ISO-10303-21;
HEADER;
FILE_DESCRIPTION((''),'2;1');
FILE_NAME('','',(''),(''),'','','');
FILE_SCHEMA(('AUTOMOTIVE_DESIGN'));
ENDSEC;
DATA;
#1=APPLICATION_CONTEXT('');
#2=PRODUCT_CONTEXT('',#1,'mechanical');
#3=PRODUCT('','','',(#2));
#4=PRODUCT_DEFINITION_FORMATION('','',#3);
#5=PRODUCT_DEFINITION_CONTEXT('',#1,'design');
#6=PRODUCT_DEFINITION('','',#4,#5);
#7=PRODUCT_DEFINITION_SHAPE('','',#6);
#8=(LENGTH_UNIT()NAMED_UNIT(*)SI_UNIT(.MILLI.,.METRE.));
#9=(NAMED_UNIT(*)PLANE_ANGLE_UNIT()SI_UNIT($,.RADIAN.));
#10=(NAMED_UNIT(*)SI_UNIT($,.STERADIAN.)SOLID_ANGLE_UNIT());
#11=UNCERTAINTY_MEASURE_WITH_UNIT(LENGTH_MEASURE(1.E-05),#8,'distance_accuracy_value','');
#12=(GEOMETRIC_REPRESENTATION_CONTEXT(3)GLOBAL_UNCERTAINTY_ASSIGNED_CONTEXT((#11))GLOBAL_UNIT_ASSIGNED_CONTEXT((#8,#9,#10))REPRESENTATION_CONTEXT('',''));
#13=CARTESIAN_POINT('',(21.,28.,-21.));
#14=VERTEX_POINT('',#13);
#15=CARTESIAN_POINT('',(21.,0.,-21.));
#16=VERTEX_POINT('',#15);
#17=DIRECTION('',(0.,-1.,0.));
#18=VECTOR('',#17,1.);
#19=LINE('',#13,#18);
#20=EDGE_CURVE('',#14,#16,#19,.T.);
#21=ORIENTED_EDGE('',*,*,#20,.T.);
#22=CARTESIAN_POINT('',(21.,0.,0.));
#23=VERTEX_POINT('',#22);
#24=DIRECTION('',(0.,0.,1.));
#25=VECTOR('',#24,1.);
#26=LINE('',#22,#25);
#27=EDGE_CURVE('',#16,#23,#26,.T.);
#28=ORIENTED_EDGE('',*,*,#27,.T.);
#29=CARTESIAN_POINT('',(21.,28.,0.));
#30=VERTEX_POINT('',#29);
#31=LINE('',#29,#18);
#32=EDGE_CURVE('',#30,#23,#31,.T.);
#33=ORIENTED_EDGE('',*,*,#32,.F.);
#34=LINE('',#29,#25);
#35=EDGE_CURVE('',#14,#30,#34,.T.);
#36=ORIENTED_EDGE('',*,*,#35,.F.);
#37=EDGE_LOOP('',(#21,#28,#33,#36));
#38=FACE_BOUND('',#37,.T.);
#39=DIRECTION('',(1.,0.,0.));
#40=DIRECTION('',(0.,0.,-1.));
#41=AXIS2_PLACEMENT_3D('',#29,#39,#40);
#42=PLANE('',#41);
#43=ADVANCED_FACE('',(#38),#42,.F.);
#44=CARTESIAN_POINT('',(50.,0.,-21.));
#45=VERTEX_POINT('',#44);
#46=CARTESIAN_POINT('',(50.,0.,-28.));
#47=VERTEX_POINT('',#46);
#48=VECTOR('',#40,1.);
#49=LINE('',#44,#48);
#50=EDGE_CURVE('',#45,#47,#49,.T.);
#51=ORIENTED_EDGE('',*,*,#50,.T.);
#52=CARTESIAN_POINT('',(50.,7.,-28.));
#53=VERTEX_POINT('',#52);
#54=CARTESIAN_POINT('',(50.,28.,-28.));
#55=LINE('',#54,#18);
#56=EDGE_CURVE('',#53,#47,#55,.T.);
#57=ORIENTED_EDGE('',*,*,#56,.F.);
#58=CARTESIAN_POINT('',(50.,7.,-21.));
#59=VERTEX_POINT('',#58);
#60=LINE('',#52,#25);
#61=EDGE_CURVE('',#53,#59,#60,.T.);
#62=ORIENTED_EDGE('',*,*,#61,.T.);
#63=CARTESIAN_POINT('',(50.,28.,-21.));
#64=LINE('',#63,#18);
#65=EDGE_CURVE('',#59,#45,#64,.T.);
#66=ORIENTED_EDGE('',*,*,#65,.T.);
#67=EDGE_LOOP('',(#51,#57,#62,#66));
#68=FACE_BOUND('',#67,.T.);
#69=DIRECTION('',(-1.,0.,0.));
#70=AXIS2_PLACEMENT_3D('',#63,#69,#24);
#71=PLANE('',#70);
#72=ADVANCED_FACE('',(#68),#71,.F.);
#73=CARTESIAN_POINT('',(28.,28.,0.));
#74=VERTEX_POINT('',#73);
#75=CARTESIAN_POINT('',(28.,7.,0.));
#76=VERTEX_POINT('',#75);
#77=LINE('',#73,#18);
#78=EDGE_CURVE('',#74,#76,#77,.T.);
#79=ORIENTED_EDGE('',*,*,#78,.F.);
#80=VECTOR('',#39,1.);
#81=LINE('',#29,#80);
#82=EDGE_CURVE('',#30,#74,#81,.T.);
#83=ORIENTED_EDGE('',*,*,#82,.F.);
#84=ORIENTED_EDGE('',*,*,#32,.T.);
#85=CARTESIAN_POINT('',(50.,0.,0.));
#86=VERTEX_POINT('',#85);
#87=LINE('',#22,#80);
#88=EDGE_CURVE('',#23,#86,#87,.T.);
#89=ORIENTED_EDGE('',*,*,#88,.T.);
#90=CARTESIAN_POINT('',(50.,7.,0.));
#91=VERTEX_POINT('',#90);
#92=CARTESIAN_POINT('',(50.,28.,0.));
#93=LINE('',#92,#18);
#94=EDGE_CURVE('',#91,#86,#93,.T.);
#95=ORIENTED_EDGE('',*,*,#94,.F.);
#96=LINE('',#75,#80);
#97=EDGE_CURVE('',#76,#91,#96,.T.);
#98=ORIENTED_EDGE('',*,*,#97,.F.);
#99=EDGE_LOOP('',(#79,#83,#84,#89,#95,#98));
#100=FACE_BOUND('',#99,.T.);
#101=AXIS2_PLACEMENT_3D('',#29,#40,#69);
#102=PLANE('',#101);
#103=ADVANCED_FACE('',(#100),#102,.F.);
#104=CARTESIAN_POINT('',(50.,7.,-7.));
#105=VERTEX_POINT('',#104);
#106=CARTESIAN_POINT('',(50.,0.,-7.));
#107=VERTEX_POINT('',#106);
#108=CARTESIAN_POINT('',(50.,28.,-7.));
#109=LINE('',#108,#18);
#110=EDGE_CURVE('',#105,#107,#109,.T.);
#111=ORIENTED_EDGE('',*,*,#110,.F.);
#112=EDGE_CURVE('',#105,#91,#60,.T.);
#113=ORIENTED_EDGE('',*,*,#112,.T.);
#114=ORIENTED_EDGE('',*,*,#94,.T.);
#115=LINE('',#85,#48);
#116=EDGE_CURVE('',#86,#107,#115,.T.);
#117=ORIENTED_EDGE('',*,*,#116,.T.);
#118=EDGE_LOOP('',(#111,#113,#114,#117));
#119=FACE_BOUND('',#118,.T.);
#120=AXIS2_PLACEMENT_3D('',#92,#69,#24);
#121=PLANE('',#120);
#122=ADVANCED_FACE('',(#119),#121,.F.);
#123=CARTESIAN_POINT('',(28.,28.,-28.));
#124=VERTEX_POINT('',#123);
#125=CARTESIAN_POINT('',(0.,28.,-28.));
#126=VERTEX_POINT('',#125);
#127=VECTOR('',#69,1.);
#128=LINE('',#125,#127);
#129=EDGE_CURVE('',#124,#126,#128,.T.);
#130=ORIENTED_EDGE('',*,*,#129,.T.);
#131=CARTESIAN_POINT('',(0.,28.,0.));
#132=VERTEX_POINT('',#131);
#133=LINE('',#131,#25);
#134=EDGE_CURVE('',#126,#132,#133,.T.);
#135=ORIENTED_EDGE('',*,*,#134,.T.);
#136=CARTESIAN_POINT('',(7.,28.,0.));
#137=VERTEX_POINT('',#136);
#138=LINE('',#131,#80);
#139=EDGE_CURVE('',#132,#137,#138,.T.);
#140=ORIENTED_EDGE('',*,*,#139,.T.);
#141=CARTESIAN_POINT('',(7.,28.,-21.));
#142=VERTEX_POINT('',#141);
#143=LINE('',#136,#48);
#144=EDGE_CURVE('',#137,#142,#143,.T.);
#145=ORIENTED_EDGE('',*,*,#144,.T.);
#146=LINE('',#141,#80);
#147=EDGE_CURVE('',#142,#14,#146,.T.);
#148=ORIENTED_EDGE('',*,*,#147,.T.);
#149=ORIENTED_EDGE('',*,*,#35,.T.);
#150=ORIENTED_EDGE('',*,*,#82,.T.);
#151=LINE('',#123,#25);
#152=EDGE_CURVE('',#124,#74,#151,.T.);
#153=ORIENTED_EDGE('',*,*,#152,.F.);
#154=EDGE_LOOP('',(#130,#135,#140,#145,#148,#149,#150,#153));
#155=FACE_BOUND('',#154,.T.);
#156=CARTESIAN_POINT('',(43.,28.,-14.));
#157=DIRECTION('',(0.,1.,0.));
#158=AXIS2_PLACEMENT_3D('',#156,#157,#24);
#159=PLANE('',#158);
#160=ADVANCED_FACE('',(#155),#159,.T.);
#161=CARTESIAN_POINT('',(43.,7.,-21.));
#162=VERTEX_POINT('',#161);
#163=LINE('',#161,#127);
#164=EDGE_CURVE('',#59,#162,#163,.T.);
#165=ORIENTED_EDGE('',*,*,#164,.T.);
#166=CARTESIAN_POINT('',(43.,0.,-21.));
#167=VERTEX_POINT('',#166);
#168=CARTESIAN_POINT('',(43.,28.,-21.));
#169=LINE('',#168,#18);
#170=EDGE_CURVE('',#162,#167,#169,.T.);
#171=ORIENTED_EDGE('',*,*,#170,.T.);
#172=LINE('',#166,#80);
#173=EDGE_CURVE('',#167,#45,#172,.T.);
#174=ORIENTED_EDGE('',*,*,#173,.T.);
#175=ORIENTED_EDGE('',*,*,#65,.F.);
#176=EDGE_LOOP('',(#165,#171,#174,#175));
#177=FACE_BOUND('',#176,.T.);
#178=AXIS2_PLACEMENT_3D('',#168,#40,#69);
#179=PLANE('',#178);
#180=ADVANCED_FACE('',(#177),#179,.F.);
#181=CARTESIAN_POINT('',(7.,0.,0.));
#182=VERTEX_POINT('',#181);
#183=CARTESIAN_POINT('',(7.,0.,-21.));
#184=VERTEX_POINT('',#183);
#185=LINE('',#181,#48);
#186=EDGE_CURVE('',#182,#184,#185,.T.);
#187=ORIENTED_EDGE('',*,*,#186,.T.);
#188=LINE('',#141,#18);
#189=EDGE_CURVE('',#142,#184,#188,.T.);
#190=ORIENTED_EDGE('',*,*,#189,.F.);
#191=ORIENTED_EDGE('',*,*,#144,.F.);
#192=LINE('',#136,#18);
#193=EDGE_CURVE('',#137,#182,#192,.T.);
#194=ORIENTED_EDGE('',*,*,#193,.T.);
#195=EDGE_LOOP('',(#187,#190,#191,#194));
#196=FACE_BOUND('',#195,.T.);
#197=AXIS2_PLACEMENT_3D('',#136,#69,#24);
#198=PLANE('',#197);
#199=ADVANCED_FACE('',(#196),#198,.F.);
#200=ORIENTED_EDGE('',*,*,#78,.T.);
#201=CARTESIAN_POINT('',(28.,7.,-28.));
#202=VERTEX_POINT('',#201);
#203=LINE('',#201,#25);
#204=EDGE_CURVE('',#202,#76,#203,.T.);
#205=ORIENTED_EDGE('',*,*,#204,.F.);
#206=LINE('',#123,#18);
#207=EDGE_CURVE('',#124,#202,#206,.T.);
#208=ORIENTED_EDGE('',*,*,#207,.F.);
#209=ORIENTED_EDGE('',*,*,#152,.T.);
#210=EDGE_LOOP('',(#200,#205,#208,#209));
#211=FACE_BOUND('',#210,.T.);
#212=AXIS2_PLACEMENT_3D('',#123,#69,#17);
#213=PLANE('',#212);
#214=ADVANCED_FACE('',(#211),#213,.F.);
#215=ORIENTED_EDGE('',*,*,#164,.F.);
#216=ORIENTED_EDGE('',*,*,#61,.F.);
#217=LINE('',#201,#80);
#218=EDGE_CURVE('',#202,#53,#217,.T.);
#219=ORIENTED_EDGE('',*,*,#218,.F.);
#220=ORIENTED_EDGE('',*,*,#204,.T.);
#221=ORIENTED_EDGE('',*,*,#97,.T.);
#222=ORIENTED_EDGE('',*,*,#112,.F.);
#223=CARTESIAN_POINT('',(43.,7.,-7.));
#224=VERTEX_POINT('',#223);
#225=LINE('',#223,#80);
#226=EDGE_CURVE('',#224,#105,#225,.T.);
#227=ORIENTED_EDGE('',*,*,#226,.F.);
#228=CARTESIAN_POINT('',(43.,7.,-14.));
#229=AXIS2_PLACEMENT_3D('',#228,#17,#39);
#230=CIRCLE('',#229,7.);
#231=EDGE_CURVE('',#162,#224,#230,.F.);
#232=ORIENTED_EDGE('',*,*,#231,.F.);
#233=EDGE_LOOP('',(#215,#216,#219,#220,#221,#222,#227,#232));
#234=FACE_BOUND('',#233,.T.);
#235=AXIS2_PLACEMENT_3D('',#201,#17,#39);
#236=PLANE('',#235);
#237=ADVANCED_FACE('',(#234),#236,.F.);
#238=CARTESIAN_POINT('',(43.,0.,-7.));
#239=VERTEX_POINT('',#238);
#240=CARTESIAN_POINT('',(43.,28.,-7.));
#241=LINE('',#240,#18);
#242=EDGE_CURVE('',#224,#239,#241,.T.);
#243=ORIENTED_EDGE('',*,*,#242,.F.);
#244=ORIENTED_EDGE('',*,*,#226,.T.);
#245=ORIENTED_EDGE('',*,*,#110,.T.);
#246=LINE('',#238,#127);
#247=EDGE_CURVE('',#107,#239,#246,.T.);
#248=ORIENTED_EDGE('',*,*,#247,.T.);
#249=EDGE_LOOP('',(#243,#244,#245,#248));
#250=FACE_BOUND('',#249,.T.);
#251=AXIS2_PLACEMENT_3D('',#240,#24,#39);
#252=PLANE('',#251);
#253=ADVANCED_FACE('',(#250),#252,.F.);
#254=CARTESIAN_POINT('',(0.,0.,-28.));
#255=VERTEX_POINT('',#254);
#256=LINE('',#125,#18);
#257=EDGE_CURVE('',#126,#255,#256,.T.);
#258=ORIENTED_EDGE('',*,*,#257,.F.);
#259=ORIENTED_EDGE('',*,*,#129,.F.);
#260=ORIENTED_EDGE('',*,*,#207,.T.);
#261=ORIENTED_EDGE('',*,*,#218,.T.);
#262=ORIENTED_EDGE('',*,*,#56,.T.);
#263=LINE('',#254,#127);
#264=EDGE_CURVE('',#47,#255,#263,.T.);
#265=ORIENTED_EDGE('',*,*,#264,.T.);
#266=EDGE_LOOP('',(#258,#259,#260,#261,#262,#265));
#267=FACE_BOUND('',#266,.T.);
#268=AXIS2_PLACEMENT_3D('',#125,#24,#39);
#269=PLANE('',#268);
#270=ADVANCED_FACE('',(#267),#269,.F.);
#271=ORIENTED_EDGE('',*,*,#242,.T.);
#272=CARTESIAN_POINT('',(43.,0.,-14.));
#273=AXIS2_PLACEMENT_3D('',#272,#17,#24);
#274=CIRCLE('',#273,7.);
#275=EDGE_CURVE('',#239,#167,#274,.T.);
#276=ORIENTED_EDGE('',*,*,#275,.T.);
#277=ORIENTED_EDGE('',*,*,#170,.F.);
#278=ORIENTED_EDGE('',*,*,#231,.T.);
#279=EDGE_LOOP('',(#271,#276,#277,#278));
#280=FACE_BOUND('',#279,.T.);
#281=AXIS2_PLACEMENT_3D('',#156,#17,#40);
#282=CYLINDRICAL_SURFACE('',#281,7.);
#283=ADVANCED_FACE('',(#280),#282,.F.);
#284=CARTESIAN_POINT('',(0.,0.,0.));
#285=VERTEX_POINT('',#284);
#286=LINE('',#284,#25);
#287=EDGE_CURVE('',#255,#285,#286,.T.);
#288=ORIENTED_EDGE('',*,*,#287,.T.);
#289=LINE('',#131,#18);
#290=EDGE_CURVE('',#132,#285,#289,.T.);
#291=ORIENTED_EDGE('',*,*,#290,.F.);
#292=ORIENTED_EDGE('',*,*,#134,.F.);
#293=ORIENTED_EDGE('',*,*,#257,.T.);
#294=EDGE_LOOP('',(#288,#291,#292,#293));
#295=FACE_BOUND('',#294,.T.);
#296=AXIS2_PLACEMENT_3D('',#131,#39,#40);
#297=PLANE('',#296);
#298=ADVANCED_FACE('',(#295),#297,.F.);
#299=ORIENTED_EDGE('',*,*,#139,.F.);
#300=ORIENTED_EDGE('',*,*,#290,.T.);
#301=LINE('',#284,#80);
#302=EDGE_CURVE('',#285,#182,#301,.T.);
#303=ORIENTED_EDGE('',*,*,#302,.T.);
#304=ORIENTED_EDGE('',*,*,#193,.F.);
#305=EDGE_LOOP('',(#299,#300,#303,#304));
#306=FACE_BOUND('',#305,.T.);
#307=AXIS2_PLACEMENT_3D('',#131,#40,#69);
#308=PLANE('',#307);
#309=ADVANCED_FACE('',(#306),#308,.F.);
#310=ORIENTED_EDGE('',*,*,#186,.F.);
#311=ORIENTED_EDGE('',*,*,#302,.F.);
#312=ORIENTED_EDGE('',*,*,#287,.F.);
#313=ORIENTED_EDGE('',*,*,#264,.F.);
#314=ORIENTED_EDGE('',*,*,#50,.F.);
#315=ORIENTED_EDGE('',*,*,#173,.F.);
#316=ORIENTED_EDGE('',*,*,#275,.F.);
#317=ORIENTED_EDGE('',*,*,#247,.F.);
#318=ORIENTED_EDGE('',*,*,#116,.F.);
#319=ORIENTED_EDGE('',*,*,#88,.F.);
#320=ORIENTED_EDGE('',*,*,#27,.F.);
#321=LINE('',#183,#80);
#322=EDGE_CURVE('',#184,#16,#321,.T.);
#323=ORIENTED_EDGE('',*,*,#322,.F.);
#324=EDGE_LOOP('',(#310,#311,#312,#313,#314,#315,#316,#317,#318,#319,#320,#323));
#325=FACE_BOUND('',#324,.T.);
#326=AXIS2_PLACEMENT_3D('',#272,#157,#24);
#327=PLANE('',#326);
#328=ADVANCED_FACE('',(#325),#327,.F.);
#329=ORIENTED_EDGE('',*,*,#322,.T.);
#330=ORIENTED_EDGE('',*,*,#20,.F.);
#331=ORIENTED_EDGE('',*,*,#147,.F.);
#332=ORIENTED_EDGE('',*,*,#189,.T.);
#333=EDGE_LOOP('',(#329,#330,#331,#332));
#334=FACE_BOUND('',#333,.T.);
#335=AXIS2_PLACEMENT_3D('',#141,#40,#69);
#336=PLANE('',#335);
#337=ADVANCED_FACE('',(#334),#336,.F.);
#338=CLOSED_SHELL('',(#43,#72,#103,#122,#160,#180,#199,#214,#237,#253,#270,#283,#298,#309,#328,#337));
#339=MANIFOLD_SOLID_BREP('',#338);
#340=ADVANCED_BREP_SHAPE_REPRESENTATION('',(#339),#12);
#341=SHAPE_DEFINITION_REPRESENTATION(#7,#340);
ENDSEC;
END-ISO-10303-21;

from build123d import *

# Parameters (mm, degrees)
EXTRUDE_1_DEPTH     = 28
SKETCH_2_W          = 22
SKETCH_2_H          = 21
CUT_EXTRUDE_1_DEPTH = 29


with BuildPart() as part:
    # 스케치1 → 보스-돌출1 (new body)
    with BuildSketch(Plane(origin=(0, 0, 0), x_dir=(1, 0, 0), z_dir=(0, 1, 0))):
        with BuildLine():
            Line((7, 0), (7, 21))
            Line((7, 21), (21, 21))
            Line((21, 21), (21, 0))
            Line((21, 0), (50, 0))
            Line((50, 0), (50, 7))
            Line((50, 7), (43, 7))
            ThreePointArc((43, 7), (36, 14), (43, 21))
            Line((43, 21), (50, 21))
            Line((50, 21), (50, 28))
            Line((50, 28), (0, 28))
            Line((0, 28), (0, 0))
            Line((0, 0), (7, 0))
        make_face()
    extrude(amount=EXTRUDE_1_DEPTH)

    # 스케치2 → 컷-돌출1 (cut, through all)
    with BuildSketch(Plane.XY):
        with Locations((39, 17.5)):
            Rectangle(SKETCH_2_W, SKETCH_2_H)
    extrude(amount=-CUT_EXTRUDE_1_DEPTH, mode=Mode.SUBTRACT)


solid = part.part
